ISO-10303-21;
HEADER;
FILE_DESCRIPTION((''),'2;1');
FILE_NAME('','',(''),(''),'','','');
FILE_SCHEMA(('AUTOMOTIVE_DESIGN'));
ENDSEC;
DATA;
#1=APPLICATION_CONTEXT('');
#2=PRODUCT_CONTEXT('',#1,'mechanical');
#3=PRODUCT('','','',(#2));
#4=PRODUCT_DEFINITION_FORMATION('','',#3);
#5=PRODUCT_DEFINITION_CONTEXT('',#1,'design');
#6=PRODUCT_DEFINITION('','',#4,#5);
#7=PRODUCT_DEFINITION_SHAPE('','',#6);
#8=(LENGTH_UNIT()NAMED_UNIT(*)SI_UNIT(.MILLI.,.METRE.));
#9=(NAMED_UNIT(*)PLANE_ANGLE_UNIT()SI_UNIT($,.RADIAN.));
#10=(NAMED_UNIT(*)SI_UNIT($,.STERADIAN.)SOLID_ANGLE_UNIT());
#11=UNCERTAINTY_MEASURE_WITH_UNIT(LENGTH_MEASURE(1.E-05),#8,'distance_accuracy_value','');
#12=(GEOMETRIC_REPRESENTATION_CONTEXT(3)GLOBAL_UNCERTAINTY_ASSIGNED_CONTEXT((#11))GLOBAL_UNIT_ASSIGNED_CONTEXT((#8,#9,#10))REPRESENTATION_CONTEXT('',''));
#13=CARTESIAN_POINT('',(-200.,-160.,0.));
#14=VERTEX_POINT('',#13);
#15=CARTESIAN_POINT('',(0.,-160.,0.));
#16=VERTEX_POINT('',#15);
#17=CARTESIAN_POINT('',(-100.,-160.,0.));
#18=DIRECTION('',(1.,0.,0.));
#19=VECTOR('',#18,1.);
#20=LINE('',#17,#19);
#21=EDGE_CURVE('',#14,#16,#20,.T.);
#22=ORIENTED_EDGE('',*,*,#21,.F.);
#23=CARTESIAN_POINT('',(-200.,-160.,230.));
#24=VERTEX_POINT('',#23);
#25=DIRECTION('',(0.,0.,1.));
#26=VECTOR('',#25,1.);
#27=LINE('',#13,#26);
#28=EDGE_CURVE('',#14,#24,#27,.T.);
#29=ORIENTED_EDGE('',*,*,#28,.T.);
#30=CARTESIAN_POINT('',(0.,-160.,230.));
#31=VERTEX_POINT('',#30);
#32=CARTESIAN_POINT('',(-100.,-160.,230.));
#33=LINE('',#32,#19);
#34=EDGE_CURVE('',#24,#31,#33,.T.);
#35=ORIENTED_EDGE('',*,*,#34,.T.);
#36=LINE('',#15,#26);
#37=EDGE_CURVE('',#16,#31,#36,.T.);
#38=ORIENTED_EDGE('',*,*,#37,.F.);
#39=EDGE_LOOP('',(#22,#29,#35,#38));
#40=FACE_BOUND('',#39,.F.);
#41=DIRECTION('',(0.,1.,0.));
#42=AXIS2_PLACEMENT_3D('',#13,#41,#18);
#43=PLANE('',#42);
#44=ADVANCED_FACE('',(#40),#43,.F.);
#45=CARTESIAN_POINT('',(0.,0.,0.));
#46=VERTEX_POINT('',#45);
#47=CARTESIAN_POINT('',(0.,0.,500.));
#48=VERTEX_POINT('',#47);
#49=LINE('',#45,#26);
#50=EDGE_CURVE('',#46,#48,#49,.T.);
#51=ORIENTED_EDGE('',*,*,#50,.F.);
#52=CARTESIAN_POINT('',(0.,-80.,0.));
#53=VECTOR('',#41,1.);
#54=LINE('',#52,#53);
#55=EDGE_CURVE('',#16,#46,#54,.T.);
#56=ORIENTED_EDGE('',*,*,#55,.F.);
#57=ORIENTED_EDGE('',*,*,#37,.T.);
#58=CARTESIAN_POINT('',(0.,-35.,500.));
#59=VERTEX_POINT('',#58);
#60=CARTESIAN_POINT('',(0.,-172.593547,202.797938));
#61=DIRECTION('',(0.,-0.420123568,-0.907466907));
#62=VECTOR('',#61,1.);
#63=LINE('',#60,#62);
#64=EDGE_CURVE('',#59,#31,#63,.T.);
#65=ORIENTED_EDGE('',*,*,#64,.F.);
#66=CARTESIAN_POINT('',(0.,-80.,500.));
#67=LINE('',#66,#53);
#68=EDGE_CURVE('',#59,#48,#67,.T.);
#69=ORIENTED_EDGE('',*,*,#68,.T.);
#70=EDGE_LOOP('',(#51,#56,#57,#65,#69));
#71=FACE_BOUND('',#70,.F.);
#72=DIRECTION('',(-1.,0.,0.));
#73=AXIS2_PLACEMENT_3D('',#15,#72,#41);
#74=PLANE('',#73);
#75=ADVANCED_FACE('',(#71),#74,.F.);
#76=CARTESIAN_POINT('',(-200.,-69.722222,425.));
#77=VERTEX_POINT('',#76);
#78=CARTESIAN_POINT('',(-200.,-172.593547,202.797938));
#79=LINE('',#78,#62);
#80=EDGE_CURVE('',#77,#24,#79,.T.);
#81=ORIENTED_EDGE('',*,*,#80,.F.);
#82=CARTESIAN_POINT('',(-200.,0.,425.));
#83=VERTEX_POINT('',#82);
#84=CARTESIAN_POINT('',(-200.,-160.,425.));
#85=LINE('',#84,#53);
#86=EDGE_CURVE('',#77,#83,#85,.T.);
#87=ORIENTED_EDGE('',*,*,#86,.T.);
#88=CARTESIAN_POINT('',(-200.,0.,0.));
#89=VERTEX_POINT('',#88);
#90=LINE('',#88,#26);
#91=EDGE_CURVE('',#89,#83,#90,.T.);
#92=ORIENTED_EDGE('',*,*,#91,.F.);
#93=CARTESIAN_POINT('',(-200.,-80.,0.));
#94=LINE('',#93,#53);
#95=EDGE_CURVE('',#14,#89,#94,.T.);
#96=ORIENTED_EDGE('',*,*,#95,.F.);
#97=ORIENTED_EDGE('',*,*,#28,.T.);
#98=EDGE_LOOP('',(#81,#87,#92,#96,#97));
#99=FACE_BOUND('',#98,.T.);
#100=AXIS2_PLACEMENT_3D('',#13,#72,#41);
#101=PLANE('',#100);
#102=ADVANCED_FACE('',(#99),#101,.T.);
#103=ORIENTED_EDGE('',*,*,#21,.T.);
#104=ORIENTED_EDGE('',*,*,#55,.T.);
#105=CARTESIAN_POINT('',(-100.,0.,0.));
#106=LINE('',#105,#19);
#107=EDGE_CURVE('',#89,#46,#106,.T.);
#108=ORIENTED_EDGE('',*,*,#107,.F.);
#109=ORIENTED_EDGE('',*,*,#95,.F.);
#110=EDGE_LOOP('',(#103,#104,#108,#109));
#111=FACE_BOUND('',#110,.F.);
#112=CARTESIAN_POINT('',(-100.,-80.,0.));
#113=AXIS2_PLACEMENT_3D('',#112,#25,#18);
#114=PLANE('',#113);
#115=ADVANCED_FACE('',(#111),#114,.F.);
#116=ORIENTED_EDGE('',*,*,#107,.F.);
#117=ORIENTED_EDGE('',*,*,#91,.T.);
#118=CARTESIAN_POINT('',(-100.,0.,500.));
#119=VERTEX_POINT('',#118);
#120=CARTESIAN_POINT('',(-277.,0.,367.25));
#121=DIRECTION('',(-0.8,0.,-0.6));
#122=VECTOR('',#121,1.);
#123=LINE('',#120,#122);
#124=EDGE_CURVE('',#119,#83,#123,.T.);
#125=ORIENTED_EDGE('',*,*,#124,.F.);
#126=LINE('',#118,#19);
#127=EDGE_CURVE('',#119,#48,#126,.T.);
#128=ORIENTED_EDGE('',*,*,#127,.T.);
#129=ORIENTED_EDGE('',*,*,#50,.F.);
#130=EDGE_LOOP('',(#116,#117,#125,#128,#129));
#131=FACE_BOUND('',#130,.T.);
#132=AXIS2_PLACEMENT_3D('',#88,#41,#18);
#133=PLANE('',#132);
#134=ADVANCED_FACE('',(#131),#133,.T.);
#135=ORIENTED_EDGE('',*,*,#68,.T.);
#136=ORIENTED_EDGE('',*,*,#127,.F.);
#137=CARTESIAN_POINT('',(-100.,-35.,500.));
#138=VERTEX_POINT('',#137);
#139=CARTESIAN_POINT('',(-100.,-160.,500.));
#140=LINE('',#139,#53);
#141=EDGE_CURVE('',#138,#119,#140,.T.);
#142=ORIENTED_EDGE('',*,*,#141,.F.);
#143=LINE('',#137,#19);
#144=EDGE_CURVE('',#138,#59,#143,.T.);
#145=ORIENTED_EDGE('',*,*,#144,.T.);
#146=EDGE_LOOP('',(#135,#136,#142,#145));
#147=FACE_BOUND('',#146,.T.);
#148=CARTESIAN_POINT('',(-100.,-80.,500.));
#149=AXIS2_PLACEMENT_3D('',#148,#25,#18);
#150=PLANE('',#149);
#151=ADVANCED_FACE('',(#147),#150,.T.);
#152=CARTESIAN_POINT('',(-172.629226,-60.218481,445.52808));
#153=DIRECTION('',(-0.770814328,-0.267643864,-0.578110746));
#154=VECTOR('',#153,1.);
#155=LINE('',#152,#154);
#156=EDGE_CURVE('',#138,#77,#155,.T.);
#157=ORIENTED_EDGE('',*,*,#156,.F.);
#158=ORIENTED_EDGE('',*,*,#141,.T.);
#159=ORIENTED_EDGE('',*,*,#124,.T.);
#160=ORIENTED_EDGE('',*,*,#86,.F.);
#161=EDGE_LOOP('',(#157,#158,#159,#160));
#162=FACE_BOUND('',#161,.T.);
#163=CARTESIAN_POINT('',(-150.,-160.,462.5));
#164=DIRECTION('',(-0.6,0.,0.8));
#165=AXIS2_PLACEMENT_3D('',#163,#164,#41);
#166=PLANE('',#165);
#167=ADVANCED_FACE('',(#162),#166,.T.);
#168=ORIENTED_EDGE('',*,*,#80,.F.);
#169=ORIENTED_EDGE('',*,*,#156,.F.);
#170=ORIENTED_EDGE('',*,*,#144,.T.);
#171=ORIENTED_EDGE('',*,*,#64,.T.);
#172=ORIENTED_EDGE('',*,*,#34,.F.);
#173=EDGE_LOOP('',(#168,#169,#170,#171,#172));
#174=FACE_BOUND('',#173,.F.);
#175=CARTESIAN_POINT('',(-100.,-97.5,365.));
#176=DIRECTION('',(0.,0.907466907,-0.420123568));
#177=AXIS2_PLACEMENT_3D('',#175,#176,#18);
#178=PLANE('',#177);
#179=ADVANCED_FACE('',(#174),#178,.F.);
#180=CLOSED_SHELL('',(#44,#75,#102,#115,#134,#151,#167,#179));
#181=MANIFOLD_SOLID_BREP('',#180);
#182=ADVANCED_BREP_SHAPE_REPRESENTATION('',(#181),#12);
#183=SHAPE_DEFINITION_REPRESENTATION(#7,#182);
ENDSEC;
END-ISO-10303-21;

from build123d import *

# Parameters (mm, degrees)
F0_W     = 200
F0_H     = 160
F1_DEPTH = 500
F2_SIZE2 = 75
F2_SIZE  = 100
F3_SIZE2 = 270
F3_SIZE  = 125


with BuildPart() as f1:
    # F0 (on Top) → F1 (new body)
    with BuildSketch(Plane.XY):
        with Locations((-100, -80)):
            Rectangle(F0_W, F0_H)
    extrude(amount=F1_DEPTH)

    # F2
    f2_edges = [f1.edges().sort_by_distance(p)[0] for p in [
        (-200, -80, 500),
    ]]
    f2_side = f1.faces().sort_by_distance((-100, -80, 500))[0]
    chamfer(f2_edges, length=F2_SIZE, length2=F2_SIZE2, reference=f2_side)

    # F3
    f3_edges = [f1.edges().sort_by_distance(p)[0] for p in [
        (-50, -160, 500),
    ]]
    f3_side = f1.faces().sort_by_distance((-50, -80, 500))[0]
    chamfer(f3_edges, length=F3_SIZE, length2=F3_SIZE2, reference=f3_side)


solid = f1.part
